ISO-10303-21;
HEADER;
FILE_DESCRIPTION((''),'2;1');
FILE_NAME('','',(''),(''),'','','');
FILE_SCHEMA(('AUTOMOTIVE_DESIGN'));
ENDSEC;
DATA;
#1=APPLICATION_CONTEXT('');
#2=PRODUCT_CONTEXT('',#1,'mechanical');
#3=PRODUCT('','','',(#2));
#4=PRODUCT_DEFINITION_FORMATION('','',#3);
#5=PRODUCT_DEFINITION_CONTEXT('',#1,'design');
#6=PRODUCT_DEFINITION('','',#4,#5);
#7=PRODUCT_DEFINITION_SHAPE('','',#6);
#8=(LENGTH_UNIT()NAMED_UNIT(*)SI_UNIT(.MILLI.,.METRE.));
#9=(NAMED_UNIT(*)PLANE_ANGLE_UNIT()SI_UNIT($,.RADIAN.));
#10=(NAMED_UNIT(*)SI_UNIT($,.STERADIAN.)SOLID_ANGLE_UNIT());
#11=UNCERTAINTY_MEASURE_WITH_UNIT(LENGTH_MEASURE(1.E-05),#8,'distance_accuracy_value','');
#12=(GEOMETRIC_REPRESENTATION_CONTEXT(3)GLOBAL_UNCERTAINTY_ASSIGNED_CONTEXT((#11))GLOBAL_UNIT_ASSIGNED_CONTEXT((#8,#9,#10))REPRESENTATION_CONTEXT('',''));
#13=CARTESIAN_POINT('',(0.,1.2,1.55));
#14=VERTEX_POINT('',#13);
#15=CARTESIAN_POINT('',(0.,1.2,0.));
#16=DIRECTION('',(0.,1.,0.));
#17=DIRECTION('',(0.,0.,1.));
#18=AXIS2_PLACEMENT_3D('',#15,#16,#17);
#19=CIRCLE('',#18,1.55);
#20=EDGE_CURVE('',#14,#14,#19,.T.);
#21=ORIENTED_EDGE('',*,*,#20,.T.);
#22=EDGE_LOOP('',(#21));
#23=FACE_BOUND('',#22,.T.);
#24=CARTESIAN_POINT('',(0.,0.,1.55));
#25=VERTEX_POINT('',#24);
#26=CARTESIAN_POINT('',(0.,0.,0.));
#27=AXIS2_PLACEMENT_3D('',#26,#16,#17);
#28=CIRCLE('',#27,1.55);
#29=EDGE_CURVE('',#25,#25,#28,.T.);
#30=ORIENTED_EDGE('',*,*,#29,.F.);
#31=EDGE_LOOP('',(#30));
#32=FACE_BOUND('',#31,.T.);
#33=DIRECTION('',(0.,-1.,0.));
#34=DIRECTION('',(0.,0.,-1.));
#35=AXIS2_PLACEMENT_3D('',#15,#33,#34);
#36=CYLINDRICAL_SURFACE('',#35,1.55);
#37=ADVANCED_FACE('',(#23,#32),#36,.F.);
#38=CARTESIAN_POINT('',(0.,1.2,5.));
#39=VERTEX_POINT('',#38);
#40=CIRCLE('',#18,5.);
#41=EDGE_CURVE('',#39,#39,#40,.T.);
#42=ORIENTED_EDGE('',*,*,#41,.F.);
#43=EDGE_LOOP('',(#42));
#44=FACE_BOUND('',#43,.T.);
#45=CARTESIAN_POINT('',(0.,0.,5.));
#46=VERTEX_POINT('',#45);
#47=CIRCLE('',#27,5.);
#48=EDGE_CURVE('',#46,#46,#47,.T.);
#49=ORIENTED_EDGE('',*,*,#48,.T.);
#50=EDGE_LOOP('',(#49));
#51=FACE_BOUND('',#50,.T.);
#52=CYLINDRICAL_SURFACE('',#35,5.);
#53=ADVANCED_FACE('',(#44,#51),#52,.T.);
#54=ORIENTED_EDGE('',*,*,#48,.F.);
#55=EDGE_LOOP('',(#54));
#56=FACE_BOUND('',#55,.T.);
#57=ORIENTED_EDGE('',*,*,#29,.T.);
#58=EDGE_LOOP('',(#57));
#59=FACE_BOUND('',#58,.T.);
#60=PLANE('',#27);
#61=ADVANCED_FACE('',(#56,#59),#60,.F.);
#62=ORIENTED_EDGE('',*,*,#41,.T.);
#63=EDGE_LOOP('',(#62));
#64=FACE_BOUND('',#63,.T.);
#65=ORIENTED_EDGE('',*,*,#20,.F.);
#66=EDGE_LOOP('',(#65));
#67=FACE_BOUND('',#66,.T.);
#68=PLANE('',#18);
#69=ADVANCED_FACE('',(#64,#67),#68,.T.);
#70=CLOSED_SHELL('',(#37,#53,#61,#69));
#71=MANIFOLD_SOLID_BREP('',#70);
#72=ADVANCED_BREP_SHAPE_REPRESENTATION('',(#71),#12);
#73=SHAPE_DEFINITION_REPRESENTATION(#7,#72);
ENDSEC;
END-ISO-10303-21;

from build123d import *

# Parameters (mm, degrees)
SKETCH1_R           = 5
SKETCH1_R_2         = 1.55
BOSS_EXTRUDE1_DEPTH = 1.2


with BuildPart() as part:
    # Sketch1 → Boss-Extrude1 (new body)
    with BuildSketch(Plane(origin=(0, 0, 0), x_dir=(1, 0, 0), z_dir=(0, 1, 0))):
        Circle(SKETCH1_R)
        Circle(SKETCH1_R_2, mode=Mode.SUBTRACT)
    extrude(amount=BOSS_EXTRUDE1_DEPTH)


solid = part.part
